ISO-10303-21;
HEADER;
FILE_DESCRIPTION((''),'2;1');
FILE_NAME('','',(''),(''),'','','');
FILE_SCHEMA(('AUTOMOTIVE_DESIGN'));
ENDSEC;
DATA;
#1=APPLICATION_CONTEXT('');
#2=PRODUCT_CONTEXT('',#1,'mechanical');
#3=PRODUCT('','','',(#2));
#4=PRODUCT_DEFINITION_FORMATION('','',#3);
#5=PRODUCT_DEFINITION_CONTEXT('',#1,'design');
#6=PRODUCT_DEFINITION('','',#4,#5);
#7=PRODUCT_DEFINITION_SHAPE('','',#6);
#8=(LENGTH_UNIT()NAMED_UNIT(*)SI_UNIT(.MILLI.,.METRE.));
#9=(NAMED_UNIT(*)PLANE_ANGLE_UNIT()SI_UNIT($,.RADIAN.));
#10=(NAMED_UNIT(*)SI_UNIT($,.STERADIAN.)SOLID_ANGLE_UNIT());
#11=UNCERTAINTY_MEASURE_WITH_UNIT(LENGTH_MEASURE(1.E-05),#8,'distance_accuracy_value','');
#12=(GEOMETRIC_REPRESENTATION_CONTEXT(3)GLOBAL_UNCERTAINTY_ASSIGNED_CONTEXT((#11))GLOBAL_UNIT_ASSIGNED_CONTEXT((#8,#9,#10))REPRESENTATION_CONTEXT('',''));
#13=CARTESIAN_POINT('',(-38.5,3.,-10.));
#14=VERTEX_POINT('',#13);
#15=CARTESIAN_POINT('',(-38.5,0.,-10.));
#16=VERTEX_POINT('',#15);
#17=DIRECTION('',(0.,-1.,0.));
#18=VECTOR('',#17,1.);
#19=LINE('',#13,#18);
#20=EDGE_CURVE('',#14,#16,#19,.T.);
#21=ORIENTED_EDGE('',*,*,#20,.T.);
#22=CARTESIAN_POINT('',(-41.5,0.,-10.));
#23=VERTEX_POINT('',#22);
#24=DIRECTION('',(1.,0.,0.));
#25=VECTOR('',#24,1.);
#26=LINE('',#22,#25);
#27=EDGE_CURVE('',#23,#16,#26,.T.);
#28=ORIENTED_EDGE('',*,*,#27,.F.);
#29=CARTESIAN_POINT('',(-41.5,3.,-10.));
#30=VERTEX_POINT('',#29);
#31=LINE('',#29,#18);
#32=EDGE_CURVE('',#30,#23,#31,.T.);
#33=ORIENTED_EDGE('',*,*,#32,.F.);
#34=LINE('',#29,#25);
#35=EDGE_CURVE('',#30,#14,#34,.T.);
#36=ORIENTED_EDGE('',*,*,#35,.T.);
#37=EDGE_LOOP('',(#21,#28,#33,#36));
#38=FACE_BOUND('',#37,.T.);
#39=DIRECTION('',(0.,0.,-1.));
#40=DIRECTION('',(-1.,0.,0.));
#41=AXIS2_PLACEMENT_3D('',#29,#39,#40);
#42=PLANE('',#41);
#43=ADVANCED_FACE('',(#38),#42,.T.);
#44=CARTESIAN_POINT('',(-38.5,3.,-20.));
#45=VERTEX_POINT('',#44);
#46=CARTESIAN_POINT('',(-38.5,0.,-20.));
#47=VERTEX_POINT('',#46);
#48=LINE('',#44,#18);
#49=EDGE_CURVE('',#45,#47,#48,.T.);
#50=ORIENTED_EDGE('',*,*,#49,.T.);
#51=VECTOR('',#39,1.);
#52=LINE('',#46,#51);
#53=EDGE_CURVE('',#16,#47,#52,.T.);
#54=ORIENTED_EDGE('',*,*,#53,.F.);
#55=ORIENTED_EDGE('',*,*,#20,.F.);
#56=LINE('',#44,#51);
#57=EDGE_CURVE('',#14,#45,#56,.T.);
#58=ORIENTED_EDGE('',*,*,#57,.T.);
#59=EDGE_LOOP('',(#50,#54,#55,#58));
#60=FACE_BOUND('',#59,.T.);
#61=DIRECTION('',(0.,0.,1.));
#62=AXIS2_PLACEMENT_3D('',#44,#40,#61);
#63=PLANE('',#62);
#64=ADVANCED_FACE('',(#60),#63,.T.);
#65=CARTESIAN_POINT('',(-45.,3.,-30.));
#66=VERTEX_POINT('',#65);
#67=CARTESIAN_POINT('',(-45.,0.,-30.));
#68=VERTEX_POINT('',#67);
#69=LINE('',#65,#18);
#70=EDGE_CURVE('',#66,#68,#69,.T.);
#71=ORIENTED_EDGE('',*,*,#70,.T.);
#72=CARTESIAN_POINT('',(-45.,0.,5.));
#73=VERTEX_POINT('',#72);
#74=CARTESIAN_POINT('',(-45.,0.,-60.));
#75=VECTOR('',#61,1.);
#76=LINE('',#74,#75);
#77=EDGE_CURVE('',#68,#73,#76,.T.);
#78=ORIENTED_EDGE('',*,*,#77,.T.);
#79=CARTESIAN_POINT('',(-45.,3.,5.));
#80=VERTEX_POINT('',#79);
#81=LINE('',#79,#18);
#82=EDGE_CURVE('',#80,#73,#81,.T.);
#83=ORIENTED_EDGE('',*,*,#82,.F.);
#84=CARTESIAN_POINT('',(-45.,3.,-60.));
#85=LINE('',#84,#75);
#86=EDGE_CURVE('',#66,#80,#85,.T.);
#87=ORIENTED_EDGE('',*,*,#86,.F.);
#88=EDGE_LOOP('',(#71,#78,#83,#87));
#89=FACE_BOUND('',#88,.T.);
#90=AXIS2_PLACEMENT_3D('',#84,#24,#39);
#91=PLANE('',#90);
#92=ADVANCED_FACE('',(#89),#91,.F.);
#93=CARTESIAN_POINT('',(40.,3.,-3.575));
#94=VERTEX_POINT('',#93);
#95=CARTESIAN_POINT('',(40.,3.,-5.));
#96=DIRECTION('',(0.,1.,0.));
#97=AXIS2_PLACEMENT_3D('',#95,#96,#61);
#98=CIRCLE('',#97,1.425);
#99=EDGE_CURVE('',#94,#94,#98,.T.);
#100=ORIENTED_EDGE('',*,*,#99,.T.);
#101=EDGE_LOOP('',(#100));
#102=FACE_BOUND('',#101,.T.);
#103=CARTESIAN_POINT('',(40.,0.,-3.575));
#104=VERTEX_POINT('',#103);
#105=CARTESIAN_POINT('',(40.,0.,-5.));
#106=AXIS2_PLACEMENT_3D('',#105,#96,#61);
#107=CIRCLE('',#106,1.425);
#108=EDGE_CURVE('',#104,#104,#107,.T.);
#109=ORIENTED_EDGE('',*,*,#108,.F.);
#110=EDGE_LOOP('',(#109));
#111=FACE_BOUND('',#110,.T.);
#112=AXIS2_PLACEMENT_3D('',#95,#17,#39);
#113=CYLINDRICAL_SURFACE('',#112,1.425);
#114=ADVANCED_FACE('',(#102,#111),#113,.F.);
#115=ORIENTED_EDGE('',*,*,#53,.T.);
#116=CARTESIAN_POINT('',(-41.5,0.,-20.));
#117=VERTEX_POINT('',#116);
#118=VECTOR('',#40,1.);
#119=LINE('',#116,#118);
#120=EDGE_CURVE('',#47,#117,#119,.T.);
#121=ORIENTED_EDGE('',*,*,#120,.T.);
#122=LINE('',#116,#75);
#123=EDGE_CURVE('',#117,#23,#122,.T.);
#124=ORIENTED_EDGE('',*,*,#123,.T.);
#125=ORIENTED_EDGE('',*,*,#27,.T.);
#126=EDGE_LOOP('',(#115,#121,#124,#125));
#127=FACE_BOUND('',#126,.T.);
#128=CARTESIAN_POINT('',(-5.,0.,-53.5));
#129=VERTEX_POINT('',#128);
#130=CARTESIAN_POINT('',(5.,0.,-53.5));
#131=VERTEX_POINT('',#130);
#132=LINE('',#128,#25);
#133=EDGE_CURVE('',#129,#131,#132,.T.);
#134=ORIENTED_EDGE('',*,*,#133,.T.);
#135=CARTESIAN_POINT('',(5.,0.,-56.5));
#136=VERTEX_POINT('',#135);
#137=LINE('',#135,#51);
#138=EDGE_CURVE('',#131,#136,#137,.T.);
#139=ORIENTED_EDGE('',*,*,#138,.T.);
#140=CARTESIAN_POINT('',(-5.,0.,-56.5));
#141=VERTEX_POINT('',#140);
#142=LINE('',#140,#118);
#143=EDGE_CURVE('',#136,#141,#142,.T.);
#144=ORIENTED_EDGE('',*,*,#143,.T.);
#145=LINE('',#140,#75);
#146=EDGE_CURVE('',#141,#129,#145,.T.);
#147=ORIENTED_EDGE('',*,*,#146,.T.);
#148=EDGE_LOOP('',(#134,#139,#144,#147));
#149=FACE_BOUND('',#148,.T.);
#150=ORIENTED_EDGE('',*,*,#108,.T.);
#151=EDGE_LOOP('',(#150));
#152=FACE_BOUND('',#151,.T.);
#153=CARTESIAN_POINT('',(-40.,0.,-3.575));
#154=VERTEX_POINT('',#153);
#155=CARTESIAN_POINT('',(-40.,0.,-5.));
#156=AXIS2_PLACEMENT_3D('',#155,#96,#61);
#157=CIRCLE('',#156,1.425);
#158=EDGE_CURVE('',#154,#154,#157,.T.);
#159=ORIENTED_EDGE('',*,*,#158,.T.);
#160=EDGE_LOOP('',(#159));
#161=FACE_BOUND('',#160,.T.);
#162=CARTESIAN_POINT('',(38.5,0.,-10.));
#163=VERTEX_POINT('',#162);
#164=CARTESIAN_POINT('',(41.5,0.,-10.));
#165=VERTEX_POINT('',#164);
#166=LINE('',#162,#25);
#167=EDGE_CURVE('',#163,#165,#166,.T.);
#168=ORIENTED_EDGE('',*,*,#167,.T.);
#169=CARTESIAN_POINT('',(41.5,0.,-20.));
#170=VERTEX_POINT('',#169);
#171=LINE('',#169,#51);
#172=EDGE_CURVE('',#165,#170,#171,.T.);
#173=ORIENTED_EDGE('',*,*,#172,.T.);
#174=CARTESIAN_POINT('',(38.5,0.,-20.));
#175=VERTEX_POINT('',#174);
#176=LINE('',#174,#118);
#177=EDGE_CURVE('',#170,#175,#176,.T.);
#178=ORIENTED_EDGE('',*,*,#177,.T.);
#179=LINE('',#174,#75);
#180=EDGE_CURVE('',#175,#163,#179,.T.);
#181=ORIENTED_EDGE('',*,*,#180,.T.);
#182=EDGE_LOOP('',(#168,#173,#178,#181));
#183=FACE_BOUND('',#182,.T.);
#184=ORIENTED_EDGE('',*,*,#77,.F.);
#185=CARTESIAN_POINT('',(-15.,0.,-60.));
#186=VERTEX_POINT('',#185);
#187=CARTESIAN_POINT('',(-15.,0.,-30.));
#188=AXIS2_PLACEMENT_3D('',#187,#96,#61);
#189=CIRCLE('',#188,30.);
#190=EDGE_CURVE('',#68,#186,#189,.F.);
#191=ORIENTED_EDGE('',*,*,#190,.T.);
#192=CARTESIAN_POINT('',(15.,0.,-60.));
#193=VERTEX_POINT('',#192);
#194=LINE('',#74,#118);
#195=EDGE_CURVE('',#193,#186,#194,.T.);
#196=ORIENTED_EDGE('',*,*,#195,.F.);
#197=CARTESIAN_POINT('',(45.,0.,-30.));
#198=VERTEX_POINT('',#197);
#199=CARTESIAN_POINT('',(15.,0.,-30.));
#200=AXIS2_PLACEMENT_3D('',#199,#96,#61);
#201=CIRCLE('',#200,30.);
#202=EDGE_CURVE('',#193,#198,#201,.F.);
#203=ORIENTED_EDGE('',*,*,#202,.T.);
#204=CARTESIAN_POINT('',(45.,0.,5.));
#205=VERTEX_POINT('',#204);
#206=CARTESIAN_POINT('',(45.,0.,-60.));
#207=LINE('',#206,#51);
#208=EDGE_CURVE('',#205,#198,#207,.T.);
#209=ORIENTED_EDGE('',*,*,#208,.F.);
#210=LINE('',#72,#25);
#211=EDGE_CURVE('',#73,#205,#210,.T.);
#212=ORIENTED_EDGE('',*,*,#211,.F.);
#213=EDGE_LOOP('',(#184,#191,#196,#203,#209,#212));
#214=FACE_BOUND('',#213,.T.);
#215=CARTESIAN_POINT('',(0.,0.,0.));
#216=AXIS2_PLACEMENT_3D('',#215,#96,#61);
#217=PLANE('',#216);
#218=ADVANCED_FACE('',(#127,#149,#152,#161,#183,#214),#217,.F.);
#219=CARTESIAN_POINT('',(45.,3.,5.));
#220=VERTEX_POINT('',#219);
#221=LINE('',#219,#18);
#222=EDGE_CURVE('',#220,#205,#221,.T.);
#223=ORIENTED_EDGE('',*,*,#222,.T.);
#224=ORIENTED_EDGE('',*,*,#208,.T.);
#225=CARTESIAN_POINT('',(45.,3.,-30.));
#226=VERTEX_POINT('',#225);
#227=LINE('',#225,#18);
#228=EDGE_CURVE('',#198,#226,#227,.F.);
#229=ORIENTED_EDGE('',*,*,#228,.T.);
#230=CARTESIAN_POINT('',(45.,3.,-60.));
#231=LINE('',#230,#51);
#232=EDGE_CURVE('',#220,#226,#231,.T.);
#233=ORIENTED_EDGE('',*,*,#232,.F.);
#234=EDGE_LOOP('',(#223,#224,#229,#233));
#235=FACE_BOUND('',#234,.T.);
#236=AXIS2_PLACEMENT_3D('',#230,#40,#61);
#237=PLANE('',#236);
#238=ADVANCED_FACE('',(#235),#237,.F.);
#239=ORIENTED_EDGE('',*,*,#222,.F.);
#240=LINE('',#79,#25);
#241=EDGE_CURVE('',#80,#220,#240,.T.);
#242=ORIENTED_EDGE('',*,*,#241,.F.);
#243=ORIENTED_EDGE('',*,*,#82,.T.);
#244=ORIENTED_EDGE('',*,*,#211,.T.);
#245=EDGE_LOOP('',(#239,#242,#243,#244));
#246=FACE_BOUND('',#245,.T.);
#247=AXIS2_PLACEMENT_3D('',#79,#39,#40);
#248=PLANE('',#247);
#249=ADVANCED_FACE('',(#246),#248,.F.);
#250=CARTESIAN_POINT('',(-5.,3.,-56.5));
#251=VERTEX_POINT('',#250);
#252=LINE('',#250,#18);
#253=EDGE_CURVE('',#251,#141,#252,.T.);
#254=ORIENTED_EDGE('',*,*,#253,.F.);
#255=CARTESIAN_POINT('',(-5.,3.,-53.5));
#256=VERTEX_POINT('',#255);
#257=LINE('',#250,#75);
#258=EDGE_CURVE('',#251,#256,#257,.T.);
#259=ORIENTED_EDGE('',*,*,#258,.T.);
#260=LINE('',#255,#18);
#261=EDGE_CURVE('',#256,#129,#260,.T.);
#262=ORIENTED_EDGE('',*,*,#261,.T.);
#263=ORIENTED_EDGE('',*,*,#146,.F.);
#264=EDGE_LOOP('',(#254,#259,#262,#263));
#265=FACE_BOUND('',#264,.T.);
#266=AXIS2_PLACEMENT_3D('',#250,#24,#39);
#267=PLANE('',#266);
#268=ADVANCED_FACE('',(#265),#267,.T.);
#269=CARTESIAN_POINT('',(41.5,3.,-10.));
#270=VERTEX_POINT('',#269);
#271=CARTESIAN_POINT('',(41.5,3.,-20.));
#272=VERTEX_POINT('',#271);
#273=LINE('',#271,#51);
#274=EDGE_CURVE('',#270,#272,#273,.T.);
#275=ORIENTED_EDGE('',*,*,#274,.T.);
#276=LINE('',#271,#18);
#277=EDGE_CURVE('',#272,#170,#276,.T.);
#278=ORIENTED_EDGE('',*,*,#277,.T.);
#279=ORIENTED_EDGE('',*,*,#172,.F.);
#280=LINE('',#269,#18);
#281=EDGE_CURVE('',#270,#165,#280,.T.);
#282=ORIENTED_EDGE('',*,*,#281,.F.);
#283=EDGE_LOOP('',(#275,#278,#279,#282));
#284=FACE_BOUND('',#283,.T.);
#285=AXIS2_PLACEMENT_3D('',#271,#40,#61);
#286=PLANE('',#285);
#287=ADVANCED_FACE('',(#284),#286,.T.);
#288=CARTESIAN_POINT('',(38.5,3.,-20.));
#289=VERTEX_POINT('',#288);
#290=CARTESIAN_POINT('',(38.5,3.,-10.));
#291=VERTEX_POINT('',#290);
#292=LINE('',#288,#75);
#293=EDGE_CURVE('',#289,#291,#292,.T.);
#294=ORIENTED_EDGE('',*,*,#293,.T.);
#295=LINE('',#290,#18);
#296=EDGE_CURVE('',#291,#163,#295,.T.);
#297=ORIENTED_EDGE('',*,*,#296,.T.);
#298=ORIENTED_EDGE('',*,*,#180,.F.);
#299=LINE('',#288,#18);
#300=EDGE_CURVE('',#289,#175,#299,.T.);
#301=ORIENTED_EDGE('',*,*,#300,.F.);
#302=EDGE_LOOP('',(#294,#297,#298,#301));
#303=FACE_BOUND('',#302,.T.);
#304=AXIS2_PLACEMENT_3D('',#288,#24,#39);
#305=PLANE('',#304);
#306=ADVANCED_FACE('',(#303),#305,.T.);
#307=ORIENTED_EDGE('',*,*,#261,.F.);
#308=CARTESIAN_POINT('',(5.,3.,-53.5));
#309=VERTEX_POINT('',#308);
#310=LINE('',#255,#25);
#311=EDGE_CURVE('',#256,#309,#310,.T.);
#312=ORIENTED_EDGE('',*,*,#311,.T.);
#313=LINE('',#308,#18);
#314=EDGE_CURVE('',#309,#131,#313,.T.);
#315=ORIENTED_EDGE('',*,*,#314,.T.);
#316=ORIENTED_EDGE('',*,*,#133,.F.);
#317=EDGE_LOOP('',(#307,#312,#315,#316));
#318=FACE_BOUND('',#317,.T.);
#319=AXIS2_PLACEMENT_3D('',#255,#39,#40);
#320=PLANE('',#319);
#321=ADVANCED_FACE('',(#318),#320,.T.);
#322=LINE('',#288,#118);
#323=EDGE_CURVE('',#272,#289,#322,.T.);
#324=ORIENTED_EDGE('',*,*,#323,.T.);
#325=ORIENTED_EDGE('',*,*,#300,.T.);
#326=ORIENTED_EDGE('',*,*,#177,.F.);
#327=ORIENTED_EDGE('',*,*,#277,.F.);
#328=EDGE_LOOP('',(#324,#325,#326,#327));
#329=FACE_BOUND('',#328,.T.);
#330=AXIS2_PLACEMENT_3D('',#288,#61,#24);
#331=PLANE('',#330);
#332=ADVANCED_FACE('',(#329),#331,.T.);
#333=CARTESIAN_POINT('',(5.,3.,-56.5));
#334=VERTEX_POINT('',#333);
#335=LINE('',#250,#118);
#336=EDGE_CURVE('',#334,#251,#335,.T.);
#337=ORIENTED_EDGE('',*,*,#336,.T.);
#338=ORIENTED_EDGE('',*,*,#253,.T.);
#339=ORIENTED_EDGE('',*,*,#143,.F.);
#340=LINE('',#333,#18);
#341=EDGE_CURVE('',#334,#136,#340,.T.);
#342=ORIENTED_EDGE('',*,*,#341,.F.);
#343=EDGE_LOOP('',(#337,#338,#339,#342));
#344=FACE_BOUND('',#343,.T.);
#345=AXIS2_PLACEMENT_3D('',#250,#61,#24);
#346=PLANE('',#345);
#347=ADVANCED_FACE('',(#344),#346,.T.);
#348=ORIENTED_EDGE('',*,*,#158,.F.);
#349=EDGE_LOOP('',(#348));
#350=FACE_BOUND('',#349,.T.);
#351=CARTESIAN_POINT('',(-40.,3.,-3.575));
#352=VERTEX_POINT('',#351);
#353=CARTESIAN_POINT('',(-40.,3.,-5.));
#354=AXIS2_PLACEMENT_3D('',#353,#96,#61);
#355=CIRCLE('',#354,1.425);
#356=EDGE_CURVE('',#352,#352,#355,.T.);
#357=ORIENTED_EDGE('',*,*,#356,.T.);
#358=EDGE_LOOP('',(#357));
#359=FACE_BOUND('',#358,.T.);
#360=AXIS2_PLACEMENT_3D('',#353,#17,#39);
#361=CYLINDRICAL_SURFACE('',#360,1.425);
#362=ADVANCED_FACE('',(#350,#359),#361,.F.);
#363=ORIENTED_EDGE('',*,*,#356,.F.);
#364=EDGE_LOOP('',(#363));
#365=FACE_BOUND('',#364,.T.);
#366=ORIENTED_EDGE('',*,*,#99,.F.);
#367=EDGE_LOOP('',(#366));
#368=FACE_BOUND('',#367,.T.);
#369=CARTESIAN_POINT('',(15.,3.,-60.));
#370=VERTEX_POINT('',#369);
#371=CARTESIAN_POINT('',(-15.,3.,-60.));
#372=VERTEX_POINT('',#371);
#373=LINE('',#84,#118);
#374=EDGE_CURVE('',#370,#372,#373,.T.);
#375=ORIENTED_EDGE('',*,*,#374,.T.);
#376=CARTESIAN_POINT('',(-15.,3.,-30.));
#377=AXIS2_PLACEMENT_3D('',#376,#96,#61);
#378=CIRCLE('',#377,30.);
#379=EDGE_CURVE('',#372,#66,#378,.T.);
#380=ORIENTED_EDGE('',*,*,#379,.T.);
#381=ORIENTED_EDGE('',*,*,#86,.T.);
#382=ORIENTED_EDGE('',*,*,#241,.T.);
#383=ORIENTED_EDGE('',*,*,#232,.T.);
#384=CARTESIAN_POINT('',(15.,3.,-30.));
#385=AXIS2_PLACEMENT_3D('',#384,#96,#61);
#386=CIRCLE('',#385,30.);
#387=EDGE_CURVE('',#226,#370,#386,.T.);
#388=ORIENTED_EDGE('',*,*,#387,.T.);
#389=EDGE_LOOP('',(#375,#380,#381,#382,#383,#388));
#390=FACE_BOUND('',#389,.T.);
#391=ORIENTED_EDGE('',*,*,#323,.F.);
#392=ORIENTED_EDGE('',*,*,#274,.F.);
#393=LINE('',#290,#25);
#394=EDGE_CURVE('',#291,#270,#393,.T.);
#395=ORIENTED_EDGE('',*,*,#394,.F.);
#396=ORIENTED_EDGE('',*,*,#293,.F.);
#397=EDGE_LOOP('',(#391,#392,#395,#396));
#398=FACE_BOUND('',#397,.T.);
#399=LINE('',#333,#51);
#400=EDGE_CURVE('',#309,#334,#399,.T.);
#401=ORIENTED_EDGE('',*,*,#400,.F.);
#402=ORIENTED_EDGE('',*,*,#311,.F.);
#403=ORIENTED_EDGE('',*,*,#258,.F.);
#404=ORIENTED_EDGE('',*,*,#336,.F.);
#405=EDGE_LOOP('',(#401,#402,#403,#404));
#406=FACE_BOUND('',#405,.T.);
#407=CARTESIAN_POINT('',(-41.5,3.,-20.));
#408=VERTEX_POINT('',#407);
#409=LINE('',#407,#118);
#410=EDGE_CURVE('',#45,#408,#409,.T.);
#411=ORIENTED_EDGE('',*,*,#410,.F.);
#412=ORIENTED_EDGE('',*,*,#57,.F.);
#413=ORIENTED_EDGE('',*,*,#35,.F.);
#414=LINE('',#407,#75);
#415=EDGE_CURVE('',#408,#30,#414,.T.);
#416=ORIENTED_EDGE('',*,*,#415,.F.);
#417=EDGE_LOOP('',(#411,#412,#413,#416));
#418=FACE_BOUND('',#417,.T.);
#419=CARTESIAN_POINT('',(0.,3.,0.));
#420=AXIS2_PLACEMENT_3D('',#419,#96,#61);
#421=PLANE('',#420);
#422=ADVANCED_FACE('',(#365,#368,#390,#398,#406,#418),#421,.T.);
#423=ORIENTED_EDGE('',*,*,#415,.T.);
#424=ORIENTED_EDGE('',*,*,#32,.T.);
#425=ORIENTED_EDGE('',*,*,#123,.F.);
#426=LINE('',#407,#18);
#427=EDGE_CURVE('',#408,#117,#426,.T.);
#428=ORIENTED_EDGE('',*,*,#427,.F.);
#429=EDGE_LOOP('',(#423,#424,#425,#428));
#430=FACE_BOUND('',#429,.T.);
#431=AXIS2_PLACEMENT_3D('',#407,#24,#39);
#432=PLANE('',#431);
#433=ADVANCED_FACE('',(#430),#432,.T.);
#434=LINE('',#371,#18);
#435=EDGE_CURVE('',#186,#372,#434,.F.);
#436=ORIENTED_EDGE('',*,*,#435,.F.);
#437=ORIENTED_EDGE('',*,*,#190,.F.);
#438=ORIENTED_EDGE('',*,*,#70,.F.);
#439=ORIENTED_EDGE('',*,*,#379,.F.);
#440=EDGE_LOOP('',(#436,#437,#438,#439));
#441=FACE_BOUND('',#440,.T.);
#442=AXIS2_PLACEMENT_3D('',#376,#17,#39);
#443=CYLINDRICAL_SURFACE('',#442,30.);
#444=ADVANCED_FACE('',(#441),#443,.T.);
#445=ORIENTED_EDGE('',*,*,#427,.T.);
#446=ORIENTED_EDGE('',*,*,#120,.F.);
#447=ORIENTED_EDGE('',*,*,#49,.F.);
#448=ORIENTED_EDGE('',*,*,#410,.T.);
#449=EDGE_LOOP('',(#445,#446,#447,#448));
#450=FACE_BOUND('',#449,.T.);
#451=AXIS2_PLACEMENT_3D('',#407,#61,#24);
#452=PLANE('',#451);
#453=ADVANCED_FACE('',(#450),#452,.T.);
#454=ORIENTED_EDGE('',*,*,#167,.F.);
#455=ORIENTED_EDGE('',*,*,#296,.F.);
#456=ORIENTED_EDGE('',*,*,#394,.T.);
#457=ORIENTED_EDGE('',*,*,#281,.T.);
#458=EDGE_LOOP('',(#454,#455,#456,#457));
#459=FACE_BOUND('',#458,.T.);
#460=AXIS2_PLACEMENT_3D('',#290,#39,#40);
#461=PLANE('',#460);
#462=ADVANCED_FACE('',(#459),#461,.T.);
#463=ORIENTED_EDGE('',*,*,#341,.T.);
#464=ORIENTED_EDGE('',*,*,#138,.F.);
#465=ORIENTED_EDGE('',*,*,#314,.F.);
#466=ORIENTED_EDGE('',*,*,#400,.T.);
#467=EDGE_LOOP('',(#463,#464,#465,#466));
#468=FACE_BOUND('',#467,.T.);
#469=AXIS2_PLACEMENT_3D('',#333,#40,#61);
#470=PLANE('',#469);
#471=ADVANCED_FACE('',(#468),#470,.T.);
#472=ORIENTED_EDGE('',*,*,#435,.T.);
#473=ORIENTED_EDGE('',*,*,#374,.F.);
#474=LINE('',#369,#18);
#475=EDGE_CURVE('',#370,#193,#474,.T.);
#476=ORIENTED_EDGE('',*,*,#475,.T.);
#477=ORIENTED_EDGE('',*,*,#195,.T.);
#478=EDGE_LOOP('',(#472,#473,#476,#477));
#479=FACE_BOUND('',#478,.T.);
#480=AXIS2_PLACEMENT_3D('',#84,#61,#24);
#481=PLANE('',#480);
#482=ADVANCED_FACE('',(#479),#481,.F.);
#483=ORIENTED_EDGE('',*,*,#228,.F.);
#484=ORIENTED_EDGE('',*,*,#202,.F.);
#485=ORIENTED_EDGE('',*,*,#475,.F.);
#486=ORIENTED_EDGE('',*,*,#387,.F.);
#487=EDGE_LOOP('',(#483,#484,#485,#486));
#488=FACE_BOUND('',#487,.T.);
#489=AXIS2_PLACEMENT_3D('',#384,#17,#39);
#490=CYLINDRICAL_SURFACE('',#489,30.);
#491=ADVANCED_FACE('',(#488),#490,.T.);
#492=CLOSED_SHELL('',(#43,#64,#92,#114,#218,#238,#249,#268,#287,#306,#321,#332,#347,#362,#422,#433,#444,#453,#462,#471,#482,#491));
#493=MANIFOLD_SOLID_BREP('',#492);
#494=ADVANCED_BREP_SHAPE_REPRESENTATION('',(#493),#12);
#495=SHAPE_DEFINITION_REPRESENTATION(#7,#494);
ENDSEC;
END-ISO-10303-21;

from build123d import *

# Parameters (mm, degrees)
SKETCH1_W           = 90
SKETCH1_H           = 65
SKETCH1_R           = 1.425
SKETCH1_W_2         = 10
SKETCH1_H_2         = 3
SKETCH1_W_3         = 3
SKETCH1_H_3         = 10
BOSS_EXTRUDE1_DEPTH = 3
FILLET1_R           = 30


with BuildPart() as part:
    # Sketch1 → Boss-Extrude1 (new body)
    with BuildSketch(Plane(origin=(0, 0, 0), x_dir=(1, 0, 0), z_dir=(0, 1, 0))):
        with Locations((0, 27.5)):
            Rectangle(SKETCH1_W, SKETCH1_H)
        with Locations(Location((-40, 5, 0), (0, 0, 270))):
            Circle(SKETCH1_R, mode=Mode.SUBTRACT)
        with Locations(Location((40, 5, 0), (0, 0, 270))):
            Circle(SKETCH1_R, mode=Mode.SUBTRACT)
        with Locations((0, 55)):
            Rectangle(SKETCH1_W_2, SKETCH1_H_2, mode=Mode.SUBTRACT)
        with Locations((-40, 15)):
            Rectangle(SKETCH1_W_3, SKETCH1_H_3, mode=Mode.SUBTRACT)
        with Locations((40, 15)):
            Rectangle(SKETCH1_W_3, SKETCH1_H_3, mode=Mode.SUBTRACT)
    extrude(amount=BOSS_EXTRUDE1_DEPTH)

    # Fillet1
    fillet1_edges = [part.edges().sort_by_distance(p)[0] for p in [
        (-45, 1.5, -60),
        (45, 1.5, -60),
    ]]
    fillet(fillet1_edges, radius=FILLET1_R)


solid = part.part
